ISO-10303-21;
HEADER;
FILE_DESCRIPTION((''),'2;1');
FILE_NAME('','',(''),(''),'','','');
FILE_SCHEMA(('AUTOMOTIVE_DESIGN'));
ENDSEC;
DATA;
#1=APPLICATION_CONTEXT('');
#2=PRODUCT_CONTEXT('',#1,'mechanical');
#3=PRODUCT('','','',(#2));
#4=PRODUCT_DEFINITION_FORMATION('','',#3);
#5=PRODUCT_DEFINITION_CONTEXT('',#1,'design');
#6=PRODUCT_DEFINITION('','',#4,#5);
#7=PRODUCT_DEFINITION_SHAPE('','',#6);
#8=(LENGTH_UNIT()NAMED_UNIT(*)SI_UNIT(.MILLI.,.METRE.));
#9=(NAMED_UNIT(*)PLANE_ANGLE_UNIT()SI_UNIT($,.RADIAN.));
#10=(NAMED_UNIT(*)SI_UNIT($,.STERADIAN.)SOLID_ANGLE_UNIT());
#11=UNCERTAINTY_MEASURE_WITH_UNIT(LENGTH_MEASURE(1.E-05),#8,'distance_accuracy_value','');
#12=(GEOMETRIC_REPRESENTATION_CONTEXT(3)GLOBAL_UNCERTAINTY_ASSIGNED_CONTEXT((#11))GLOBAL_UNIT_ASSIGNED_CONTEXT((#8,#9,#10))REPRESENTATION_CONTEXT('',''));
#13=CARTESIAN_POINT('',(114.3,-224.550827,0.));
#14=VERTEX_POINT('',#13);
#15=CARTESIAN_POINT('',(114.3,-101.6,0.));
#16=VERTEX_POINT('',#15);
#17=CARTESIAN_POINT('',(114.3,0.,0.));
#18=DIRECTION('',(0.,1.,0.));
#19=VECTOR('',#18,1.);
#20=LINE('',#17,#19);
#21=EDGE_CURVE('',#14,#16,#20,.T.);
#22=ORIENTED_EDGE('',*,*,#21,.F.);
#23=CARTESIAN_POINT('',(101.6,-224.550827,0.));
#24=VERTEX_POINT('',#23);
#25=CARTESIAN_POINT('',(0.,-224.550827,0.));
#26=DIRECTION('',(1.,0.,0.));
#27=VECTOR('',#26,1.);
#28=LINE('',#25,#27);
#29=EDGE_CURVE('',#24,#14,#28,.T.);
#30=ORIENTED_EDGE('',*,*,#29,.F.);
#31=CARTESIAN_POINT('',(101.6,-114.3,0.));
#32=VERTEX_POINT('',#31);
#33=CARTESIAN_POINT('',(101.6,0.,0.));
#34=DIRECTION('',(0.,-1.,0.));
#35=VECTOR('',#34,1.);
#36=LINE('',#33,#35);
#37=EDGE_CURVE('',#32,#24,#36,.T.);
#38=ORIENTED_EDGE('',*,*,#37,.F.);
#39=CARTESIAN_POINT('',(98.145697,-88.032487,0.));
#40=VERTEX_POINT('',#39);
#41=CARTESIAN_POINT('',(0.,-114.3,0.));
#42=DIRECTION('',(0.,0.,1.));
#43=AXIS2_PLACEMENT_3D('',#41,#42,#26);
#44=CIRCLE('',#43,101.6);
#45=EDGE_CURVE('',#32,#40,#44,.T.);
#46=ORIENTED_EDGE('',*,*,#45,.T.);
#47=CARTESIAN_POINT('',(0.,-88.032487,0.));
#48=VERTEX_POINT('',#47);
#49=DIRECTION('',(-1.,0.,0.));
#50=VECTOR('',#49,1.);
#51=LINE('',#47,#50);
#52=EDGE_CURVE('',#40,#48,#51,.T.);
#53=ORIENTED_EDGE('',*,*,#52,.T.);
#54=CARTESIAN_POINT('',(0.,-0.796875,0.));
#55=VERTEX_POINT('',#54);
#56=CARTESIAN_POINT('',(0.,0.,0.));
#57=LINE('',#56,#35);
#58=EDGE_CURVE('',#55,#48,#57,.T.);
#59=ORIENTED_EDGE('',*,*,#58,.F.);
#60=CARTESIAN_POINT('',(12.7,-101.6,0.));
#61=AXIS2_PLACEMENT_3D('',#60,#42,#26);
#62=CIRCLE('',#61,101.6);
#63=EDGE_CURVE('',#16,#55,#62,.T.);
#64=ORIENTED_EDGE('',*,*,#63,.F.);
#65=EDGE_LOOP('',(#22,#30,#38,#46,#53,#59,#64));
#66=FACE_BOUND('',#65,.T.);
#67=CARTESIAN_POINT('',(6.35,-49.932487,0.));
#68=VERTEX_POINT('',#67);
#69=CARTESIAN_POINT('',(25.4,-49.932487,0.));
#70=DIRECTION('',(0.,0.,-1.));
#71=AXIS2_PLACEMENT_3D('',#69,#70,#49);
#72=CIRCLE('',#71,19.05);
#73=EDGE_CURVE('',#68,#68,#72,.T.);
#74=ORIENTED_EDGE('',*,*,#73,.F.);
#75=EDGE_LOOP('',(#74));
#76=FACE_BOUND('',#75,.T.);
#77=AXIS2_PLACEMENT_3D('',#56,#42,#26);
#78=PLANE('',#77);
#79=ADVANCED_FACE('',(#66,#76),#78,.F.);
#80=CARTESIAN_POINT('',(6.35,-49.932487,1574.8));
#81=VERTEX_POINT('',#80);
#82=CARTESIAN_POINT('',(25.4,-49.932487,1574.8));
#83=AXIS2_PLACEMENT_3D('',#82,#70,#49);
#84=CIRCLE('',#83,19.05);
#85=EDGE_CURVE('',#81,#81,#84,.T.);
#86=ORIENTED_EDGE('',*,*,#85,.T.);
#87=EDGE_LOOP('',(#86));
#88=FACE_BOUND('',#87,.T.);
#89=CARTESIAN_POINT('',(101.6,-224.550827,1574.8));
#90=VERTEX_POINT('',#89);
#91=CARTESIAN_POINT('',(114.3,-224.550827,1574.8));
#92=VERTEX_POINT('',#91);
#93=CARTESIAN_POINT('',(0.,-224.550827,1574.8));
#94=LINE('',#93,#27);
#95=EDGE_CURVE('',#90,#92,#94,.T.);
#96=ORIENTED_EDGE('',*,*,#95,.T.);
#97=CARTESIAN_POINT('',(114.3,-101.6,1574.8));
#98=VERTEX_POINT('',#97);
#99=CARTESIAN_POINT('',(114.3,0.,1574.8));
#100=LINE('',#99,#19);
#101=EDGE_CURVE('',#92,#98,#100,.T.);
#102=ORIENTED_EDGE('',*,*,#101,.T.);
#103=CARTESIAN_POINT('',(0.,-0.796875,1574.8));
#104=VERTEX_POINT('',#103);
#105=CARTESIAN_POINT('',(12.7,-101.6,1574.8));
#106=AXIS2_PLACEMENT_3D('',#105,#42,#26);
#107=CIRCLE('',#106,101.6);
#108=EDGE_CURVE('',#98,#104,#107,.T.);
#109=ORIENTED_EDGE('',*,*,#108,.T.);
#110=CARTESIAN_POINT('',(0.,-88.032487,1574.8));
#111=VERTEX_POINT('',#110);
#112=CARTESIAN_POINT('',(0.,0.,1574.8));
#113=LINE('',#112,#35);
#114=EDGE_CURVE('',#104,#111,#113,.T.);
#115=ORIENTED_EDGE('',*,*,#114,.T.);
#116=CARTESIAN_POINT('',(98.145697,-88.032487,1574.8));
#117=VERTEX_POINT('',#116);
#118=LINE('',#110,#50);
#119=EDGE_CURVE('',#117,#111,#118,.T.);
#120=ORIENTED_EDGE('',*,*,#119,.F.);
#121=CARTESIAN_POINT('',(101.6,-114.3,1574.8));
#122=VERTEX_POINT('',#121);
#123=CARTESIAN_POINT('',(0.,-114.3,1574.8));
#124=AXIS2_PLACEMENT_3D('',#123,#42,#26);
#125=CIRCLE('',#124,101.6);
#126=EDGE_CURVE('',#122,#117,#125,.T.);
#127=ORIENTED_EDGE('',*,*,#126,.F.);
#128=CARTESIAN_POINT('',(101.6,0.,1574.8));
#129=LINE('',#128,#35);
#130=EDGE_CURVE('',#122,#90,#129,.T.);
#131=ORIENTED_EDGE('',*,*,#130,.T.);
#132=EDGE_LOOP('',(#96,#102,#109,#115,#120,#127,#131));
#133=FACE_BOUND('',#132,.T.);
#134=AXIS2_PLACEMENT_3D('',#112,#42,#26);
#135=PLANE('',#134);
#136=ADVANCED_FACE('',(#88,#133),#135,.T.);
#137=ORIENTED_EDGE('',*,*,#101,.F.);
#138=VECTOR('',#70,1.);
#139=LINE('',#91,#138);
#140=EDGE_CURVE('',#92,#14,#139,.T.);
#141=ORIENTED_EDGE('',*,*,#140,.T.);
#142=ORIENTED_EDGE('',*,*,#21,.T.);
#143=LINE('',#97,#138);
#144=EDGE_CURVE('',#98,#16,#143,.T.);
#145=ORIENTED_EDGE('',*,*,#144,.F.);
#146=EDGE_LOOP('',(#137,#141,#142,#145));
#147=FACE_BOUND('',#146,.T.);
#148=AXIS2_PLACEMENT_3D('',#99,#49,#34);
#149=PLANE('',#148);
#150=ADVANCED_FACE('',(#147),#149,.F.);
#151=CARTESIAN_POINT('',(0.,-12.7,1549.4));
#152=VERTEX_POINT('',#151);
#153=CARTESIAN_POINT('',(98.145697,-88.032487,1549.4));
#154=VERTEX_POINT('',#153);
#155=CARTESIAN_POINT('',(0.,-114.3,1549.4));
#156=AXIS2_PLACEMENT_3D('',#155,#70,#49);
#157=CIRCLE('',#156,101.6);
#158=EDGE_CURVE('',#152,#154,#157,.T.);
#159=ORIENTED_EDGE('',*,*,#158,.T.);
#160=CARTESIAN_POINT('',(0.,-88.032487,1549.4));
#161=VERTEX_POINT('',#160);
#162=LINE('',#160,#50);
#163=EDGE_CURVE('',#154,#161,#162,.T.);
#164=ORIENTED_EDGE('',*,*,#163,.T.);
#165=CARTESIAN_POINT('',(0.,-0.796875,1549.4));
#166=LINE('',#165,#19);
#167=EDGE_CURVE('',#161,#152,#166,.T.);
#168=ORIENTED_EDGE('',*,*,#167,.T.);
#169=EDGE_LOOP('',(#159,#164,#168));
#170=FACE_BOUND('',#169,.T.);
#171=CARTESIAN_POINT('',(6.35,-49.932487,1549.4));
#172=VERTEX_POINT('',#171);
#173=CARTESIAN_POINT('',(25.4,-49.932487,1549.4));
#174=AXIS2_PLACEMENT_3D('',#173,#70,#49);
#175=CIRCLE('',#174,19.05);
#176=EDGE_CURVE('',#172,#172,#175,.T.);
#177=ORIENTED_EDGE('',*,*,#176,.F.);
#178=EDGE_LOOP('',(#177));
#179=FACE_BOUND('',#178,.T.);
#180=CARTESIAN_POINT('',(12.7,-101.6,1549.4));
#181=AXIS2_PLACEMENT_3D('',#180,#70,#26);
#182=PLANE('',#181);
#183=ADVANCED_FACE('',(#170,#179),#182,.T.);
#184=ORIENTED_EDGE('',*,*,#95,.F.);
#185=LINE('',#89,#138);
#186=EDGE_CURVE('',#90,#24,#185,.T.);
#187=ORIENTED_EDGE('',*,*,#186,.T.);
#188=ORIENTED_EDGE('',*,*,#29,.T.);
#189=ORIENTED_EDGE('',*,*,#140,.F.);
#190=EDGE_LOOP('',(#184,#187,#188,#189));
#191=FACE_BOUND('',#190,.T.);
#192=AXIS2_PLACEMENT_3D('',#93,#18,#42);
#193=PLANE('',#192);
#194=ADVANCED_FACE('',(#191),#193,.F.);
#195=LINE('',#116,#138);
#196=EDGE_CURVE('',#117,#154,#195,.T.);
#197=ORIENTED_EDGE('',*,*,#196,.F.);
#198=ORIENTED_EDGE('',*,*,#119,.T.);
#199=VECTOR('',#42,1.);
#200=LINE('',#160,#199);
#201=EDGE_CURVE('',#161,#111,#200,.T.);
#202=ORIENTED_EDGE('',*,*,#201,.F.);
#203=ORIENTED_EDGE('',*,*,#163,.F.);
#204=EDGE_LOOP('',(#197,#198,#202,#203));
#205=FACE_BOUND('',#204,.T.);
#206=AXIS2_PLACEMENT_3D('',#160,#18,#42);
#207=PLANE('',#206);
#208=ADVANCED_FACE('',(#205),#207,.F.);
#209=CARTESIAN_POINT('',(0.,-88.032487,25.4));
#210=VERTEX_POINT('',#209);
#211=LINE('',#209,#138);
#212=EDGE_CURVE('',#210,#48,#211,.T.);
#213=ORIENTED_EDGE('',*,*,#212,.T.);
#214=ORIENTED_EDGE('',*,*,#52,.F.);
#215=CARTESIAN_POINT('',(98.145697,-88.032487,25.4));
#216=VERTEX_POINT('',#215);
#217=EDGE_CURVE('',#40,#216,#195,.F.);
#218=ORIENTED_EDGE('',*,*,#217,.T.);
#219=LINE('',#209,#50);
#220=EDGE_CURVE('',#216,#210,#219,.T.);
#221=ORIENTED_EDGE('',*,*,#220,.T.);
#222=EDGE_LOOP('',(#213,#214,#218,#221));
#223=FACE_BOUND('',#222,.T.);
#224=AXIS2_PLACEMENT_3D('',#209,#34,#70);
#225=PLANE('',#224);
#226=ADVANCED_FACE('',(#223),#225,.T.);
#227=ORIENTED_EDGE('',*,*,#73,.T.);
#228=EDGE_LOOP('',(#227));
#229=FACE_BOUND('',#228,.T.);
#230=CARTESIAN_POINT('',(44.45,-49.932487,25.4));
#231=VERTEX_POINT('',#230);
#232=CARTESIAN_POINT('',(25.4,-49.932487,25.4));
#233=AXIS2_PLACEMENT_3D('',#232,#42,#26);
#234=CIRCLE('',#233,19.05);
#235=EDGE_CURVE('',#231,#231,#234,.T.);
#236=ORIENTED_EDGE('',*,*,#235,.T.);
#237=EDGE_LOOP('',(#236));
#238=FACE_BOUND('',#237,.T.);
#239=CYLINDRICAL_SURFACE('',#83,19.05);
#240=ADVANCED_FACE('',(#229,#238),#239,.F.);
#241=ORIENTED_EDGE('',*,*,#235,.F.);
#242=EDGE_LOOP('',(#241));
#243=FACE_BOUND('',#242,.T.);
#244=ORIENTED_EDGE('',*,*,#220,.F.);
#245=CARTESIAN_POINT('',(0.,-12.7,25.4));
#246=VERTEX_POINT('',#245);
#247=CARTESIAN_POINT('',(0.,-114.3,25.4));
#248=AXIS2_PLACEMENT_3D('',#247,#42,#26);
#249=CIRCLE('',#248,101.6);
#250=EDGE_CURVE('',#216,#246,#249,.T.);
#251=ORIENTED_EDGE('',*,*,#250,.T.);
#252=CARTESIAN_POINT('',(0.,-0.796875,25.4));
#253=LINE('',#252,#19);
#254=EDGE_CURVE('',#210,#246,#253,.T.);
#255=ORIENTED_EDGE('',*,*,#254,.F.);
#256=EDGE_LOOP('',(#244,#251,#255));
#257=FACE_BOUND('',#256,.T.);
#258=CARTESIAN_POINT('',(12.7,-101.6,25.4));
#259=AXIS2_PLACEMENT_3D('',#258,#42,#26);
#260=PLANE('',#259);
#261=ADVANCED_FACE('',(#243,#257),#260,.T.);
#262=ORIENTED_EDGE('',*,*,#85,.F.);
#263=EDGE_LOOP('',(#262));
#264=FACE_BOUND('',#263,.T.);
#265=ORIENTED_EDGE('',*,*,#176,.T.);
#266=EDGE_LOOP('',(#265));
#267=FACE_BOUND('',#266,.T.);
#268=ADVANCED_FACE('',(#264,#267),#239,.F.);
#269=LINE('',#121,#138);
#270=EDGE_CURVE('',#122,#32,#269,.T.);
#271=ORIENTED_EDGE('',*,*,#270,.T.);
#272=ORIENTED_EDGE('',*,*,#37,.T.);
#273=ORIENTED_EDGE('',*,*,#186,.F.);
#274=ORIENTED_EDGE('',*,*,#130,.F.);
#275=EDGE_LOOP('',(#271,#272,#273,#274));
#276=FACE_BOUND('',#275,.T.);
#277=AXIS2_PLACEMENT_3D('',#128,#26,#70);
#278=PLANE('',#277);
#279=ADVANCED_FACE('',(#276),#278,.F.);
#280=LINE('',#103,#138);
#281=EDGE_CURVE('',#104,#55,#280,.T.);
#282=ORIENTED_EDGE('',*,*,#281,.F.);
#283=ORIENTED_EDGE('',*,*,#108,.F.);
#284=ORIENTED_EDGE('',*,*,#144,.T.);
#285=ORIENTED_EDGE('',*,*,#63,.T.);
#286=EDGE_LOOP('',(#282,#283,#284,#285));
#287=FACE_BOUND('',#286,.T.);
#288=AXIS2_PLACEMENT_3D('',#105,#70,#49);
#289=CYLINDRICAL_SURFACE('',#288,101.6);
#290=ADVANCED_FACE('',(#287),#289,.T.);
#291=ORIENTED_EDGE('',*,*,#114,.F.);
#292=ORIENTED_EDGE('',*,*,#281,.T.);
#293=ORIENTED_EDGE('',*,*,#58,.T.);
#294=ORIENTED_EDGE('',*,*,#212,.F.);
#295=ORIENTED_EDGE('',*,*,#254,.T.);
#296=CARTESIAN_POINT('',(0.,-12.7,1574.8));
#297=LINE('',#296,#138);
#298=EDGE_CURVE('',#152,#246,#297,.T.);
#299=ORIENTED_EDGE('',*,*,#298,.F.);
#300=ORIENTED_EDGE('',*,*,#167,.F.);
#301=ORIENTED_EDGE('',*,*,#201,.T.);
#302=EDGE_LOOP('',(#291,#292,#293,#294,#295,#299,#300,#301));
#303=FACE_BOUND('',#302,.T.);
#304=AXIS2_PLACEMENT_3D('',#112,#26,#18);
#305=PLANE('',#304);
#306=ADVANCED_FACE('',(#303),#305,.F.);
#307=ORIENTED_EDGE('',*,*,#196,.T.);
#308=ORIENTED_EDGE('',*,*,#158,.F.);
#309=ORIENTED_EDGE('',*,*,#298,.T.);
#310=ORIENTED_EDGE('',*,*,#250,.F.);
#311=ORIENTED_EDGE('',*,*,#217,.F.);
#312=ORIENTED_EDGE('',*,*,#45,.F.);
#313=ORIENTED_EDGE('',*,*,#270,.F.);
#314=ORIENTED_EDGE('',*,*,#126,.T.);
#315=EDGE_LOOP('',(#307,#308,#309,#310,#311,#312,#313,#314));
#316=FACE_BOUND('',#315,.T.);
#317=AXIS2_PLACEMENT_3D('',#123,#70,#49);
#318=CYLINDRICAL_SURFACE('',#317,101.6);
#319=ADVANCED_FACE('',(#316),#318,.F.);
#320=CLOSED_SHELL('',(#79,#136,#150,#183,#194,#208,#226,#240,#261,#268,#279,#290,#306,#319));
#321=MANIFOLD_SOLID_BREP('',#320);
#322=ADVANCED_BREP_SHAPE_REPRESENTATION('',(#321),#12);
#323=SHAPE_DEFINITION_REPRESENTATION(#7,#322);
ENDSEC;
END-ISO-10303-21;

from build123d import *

# Parameters (mm, degrees)
BOSS_EXTRUDE1_DEPTH = 1574.8
BOSS_EXTRUDE2_DEPTH = 25.4
SKETCH3_R           = 19.05
CUT_EXTRUDE1_DEPTH  = 1575.8


with BuildPart() as part:
    # Sketch1 → Boss-Extrude1 (new body)
    with BuildSketch(Plane.XY):
        with BuildLine():
            ThreePointArc((114.3, -101.6), (84.542048969, -29.757951031), (12.7, 0))
            ThreePointArc((12.7, 0), (6.337512086, -0.199414462), (0, -0.796875048))
            Line((0, -0.796875048), (0, -12.7))
            ThreePointArc((0, -12.7), (71.842048969, -42.457951031), (101.6, -114.3))
            Line((101.6, -114.3), (101.6, -224.550826558))
            Line((101.6, -224.550826558), (114.3, -224.550826558))
            Line((114.3, -224.550826558), (114.3, -101.6))
        make_face()
    extrude(amount=BOSS_EXTRUDE1_DEPTH)

    # Sketch2 → Boss-Extrude2 (add)
    with BuildSketch(Plane(origin=(0, 0, 0), x_dir=(-1, 0, 0), z_dir=(0, 0, -1))):
        with BuildLine():
            Line((0, -0.796875048), (0, -88.032487207))
            Line((0, -88.032487207), (-113.39003226, -88.032487207))
            ThreePointArc((-113.39003226, -88.032487207), (-74.652194888, -21.073696542), (0, -0.796875048))
        make_face()
    boss_extrude2 = extrude(amount=-BOSS_EXTRUDE2_DEPTH)

    # Mirror2: Boss-Extrude2 across plane
    add(boss_extrude2.mirror(Plane(origin=(0, 0, 787.4), x_dir=(1, 0, 0), z_dir=(0, 0, -1))))

    # Sketch3 → Cut-Extrude1 (cut, through all)
    with BuildSketch(Plane(origin=(0, 0, 0), x_dir=(-1, 0, 0), z_dir=(0, 0, -1))):
        with Locations((-25.4, -49.932487207)):
            Circle(SKETCH3_R)
    extrude(amount=-CUT_EXTRUDE1_DEPTH, mode=Mode.SUBTRACT)


solid = part.part
